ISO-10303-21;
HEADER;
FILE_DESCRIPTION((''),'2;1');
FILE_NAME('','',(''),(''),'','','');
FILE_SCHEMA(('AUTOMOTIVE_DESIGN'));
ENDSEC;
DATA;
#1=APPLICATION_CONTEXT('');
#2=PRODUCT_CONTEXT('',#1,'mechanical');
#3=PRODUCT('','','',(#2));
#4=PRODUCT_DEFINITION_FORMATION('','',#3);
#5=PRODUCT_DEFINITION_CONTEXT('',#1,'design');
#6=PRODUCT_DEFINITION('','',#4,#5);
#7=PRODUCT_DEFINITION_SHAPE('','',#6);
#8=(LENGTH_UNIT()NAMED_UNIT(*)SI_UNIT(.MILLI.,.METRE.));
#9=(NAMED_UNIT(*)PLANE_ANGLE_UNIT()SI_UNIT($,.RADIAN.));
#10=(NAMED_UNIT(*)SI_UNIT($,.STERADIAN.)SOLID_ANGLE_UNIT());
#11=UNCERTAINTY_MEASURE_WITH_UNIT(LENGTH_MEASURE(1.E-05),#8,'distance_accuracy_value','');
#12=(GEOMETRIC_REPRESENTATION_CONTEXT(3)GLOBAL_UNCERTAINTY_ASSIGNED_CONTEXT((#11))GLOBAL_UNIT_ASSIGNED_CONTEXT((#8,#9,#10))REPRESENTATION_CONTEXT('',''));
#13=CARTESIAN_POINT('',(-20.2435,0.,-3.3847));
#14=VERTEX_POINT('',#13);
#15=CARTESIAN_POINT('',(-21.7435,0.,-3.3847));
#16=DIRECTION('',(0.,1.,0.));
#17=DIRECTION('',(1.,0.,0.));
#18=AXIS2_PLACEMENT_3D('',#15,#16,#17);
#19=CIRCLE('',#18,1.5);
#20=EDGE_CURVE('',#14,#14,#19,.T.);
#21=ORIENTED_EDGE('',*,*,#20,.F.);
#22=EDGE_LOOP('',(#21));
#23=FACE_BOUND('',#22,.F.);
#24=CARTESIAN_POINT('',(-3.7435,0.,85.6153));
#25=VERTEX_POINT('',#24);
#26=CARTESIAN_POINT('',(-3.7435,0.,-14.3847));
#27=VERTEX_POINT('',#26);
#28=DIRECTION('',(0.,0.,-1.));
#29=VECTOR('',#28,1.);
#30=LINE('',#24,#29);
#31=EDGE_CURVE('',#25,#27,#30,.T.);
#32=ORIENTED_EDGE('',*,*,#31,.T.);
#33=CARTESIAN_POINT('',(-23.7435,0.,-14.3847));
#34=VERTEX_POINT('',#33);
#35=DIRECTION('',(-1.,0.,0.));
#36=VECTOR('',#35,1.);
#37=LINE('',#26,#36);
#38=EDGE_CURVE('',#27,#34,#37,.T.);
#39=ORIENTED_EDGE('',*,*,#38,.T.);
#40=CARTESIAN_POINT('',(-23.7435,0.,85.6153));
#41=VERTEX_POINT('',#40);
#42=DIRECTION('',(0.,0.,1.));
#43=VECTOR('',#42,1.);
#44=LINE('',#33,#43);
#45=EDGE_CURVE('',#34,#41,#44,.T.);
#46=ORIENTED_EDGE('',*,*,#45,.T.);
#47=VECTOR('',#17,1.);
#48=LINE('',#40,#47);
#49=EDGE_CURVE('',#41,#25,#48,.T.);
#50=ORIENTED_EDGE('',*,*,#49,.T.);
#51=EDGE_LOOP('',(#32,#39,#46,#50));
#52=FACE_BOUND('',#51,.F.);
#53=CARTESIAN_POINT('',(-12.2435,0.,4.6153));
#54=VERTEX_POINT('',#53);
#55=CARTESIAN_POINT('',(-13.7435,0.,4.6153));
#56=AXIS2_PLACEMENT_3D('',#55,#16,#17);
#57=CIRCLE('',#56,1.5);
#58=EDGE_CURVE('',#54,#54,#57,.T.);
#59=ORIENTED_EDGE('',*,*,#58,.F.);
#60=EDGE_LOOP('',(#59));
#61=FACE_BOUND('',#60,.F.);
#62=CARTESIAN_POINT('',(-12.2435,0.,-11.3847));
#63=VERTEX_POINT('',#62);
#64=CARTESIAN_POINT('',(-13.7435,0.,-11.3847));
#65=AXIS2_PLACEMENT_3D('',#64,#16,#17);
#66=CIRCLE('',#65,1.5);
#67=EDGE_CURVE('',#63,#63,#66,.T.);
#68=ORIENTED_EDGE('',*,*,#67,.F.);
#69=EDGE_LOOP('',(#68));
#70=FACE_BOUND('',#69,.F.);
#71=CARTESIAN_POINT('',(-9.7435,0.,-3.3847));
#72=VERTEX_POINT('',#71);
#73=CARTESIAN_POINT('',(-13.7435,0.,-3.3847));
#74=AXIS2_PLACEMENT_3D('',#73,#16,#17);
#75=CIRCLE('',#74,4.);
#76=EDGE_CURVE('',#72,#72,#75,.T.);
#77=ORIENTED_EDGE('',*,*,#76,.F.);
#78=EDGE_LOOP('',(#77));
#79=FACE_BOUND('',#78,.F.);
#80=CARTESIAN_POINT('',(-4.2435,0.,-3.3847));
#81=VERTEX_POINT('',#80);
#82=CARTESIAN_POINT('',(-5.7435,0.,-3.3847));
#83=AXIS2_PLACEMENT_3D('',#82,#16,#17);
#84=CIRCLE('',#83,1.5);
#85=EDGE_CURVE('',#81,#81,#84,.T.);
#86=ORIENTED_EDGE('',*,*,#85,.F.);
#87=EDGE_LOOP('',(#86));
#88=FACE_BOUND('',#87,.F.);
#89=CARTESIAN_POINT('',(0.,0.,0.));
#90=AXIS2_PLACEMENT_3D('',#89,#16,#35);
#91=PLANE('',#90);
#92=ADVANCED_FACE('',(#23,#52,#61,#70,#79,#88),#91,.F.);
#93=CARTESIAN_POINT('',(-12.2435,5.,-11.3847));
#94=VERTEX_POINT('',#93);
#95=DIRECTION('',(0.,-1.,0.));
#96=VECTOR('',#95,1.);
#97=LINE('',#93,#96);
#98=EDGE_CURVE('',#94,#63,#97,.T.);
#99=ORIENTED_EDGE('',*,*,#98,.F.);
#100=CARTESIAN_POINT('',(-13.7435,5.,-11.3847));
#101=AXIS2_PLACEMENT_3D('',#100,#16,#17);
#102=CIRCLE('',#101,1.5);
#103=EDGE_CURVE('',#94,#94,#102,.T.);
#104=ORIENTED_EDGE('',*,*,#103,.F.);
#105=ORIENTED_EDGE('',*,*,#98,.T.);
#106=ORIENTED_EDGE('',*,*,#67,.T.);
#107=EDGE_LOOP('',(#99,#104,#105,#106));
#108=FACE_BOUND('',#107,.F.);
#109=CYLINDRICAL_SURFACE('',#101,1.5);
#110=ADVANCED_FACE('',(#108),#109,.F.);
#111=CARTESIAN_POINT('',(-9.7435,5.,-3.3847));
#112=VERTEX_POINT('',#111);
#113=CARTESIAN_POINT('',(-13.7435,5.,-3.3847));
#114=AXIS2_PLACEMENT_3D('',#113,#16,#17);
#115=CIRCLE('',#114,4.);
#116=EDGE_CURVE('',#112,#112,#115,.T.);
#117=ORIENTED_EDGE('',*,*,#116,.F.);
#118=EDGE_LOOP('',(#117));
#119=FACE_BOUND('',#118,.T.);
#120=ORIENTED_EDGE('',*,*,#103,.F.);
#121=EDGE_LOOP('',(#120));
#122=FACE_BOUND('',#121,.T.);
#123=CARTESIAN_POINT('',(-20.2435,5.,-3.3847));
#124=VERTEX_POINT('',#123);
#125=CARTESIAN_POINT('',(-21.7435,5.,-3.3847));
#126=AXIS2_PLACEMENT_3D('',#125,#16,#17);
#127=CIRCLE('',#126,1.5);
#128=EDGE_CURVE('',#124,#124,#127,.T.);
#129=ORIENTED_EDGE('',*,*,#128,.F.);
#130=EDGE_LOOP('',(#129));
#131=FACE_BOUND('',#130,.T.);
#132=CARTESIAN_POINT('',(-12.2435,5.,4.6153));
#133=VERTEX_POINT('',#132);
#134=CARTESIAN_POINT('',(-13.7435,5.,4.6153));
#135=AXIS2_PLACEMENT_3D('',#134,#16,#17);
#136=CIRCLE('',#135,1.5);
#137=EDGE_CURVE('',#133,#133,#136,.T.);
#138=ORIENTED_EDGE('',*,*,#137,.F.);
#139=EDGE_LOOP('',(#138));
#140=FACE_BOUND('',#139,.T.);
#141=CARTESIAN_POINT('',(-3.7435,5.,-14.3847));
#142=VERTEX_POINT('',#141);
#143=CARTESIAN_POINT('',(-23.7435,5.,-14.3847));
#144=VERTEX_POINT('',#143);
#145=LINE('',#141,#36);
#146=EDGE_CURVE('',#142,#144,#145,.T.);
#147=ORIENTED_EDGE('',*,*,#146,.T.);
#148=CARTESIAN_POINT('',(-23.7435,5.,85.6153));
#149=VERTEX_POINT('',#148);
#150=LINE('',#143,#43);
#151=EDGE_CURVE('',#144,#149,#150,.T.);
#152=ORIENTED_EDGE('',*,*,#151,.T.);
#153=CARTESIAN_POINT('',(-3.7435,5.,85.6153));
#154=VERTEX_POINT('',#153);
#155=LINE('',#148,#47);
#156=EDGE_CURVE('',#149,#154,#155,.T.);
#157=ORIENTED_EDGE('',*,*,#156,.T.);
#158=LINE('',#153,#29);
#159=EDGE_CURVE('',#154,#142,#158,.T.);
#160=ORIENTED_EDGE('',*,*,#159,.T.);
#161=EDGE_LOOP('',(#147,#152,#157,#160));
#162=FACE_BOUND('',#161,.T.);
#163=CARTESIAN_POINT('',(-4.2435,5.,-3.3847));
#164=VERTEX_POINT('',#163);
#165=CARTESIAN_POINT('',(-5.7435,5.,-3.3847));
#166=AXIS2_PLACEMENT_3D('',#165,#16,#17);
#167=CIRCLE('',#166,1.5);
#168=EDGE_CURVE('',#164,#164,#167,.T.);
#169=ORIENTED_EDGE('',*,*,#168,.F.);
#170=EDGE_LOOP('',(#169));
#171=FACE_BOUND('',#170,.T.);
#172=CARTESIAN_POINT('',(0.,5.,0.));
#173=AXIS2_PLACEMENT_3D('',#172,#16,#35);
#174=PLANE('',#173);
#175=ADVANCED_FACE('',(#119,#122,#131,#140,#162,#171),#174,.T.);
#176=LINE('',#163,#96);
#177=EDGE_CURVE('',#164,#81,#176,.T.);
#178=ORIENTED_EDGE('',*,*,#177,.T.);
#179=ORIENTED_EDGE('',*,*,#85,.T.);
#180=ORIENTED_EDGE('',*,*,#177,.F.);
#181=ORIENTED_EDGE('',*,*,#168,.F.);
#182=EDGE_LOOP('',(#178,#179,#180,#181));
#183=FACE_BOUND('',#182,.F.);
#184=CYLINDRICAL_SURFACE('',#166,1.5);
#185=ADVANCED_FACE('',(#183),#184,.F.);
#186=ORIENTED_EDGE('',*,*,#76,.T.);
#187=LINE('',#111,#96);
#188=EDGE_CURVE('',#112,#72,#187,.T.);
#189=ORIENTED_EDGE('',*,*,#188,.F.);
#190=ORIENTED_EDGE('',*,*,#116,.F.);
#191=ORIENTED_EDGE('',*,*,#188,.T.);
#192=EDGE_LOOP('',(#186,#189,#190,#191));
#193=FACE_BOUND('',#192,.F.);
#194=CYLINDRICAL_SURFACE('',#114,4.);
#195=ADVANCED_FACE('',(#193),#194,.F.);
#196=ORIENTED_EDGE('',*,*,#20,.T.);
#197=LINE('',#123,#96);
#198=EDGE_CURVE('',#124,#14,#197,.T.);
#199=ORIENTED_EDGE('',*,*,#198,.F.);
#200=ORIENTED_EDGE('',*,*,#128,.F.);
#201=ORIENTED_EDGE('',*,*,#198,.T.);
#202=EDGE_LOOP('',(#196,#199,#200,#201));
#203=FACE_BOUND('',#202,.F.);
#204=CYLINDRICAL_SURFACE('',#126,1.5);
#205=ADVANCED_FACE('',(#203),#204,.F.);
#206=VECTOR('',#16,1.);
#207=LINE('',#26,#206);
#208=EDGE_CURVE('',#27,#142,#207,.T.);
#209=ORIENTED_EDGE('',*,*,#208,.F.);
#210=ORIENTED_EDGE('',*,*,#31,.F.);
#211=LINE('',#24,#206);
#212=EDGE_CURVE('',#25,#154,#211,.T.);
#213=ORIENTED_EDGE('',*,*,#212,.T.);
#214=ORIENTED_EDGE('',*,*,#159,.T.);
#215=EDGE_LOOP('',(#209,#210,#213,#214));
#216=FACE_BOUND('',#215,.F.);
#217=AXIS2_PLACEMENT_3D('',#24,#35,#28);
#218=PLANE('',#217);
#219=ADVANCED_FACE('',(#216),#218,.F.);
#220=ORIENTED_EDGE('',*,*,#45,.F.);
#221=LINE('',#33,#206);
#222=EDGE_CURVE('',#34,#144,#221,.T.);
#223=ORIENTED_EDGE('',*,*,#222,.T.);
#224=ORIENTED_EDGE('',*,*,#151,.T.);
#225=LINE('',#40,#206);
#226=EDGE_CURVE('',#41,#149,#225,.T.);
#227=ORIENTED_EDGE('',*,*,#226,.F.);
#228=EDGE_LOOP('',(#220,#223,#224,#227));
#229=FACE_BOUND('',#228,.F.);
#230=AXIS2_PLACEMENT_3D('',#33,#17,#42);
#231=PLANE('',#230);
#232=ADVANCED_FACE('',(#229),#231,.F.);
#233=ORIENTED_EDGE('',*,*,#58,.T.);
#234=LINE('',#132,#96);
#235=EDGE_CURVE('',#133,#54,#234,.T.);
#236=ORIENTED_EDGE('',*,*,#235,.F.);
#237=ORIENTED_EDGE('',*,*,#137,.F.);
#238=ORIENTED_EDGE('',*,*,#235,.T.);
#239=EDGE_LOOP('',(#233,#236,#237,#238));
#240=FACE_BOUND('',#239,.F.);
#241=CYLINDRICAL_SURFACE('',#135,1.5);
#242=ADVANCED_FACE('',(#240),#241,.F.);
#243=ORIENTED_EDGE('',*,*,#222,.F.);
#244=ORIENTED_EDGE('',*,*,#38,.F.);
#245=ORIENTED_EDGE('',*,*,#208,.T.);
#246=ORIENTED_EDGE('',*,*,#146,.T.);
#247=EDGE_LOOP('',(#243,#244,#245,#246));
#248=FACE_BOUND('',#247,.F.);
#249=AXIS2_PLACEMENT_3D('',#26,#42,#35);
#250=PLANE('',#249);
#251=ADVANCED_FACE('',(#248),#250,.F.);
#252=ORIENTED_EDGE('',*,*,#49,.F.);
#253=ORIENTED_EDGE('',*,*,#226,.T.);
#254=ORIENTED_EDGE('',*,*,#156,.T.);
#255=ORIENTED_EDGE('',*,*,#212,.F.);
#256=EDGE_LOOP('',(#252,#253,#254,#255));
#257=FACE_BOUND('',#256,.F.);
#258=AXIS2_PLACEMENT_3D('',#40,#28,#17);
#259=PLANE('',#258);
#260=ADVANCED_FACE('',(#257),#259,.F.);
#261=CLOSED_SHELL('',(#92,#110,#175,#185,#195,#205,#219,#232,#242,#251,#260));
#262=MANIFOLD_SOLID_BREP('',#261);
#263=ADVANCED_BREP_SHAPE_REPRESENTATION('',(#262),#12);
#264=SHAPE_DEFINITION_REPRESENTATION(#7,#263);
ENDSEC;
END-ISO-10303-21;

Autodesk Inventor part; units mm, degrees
ref_plane "YZ Plane" through (0, 0, 0) normal (1, 0, 0) x (0, 1, 0)
ref_plane "XZ Plane" through (0, 0, 0) normal (0, 1, 0) x (-1, 0, 0)
ref_plane "XY Plane" through (0, 0, 0) normal (0, 0, 1) x (1, 0, 0)
sketch "Esquisse1" plane through (0, 0, 0) normal (0, 1, 0) x (-1, 0, 0)
  line L0 (23.7435, 85.6153) -> (3.7435, 85.6153)
  line L1 (3.7435, 85.6153) -> (3.7435, -14.3847)
  line L2 (3.7435, -14.3847) -> (23.7435, -14.3847)
  line L3 (23.7435, -14.3847) -> (23.7435, 85.6153)
  point P0 (0, 0)
  dimension "d0" = 100
  dimension "d1" = 20
extrude "Extrusion1" add sketch "Esquisse1" along normal blind 5
sketch "Esquisse2" plane through (0, 5, 0) normal (0, 1, 0) x (1, 0, 0)
  circle A0 centre (-13.7435, 3.3847) radius 4
  line L0 (-3.7435, 14.3847) -> (-23.7435, 14.3847) projected
  line L1 (-3.7435, -85.6153) -> (-3.7435, 14.3847) projected
  circle A1 centre (-13.7435, 11.3847) radius 1.5
  circle A2 centre (-5.7435, 3.3847) radius 1.5
  circle A3 centre (-21.7435, 3.3847) radius 1.5
  line L2 (-23.7435, 14.3847) -> (-23.7435, -85.6153) projected
  circle A4 centre (-13.7435, -4.6153) radius 1.5
  point P0 (0, 0)
  dimension "d4" = 11
  dimension "d5" = 10
  dimension "d6" = 8
  dimension "d9" = 3
  dimension "d10" = 3
  dimension "d11" = 10
  dimension "d12" = 2
  dimension "d13" = 3
  dimension "d14" = 11
  dimension "d15" = 2
  dimension "d16" = 11
  dimension "d17" = 3
  dimension "d18" = 10
  dimension "d19" = 3
  dimension "d20" = 19
extrude "Extrusion2" cut sketch "Esquisse2" against normal through all
properties part number "bras-lanceur"
